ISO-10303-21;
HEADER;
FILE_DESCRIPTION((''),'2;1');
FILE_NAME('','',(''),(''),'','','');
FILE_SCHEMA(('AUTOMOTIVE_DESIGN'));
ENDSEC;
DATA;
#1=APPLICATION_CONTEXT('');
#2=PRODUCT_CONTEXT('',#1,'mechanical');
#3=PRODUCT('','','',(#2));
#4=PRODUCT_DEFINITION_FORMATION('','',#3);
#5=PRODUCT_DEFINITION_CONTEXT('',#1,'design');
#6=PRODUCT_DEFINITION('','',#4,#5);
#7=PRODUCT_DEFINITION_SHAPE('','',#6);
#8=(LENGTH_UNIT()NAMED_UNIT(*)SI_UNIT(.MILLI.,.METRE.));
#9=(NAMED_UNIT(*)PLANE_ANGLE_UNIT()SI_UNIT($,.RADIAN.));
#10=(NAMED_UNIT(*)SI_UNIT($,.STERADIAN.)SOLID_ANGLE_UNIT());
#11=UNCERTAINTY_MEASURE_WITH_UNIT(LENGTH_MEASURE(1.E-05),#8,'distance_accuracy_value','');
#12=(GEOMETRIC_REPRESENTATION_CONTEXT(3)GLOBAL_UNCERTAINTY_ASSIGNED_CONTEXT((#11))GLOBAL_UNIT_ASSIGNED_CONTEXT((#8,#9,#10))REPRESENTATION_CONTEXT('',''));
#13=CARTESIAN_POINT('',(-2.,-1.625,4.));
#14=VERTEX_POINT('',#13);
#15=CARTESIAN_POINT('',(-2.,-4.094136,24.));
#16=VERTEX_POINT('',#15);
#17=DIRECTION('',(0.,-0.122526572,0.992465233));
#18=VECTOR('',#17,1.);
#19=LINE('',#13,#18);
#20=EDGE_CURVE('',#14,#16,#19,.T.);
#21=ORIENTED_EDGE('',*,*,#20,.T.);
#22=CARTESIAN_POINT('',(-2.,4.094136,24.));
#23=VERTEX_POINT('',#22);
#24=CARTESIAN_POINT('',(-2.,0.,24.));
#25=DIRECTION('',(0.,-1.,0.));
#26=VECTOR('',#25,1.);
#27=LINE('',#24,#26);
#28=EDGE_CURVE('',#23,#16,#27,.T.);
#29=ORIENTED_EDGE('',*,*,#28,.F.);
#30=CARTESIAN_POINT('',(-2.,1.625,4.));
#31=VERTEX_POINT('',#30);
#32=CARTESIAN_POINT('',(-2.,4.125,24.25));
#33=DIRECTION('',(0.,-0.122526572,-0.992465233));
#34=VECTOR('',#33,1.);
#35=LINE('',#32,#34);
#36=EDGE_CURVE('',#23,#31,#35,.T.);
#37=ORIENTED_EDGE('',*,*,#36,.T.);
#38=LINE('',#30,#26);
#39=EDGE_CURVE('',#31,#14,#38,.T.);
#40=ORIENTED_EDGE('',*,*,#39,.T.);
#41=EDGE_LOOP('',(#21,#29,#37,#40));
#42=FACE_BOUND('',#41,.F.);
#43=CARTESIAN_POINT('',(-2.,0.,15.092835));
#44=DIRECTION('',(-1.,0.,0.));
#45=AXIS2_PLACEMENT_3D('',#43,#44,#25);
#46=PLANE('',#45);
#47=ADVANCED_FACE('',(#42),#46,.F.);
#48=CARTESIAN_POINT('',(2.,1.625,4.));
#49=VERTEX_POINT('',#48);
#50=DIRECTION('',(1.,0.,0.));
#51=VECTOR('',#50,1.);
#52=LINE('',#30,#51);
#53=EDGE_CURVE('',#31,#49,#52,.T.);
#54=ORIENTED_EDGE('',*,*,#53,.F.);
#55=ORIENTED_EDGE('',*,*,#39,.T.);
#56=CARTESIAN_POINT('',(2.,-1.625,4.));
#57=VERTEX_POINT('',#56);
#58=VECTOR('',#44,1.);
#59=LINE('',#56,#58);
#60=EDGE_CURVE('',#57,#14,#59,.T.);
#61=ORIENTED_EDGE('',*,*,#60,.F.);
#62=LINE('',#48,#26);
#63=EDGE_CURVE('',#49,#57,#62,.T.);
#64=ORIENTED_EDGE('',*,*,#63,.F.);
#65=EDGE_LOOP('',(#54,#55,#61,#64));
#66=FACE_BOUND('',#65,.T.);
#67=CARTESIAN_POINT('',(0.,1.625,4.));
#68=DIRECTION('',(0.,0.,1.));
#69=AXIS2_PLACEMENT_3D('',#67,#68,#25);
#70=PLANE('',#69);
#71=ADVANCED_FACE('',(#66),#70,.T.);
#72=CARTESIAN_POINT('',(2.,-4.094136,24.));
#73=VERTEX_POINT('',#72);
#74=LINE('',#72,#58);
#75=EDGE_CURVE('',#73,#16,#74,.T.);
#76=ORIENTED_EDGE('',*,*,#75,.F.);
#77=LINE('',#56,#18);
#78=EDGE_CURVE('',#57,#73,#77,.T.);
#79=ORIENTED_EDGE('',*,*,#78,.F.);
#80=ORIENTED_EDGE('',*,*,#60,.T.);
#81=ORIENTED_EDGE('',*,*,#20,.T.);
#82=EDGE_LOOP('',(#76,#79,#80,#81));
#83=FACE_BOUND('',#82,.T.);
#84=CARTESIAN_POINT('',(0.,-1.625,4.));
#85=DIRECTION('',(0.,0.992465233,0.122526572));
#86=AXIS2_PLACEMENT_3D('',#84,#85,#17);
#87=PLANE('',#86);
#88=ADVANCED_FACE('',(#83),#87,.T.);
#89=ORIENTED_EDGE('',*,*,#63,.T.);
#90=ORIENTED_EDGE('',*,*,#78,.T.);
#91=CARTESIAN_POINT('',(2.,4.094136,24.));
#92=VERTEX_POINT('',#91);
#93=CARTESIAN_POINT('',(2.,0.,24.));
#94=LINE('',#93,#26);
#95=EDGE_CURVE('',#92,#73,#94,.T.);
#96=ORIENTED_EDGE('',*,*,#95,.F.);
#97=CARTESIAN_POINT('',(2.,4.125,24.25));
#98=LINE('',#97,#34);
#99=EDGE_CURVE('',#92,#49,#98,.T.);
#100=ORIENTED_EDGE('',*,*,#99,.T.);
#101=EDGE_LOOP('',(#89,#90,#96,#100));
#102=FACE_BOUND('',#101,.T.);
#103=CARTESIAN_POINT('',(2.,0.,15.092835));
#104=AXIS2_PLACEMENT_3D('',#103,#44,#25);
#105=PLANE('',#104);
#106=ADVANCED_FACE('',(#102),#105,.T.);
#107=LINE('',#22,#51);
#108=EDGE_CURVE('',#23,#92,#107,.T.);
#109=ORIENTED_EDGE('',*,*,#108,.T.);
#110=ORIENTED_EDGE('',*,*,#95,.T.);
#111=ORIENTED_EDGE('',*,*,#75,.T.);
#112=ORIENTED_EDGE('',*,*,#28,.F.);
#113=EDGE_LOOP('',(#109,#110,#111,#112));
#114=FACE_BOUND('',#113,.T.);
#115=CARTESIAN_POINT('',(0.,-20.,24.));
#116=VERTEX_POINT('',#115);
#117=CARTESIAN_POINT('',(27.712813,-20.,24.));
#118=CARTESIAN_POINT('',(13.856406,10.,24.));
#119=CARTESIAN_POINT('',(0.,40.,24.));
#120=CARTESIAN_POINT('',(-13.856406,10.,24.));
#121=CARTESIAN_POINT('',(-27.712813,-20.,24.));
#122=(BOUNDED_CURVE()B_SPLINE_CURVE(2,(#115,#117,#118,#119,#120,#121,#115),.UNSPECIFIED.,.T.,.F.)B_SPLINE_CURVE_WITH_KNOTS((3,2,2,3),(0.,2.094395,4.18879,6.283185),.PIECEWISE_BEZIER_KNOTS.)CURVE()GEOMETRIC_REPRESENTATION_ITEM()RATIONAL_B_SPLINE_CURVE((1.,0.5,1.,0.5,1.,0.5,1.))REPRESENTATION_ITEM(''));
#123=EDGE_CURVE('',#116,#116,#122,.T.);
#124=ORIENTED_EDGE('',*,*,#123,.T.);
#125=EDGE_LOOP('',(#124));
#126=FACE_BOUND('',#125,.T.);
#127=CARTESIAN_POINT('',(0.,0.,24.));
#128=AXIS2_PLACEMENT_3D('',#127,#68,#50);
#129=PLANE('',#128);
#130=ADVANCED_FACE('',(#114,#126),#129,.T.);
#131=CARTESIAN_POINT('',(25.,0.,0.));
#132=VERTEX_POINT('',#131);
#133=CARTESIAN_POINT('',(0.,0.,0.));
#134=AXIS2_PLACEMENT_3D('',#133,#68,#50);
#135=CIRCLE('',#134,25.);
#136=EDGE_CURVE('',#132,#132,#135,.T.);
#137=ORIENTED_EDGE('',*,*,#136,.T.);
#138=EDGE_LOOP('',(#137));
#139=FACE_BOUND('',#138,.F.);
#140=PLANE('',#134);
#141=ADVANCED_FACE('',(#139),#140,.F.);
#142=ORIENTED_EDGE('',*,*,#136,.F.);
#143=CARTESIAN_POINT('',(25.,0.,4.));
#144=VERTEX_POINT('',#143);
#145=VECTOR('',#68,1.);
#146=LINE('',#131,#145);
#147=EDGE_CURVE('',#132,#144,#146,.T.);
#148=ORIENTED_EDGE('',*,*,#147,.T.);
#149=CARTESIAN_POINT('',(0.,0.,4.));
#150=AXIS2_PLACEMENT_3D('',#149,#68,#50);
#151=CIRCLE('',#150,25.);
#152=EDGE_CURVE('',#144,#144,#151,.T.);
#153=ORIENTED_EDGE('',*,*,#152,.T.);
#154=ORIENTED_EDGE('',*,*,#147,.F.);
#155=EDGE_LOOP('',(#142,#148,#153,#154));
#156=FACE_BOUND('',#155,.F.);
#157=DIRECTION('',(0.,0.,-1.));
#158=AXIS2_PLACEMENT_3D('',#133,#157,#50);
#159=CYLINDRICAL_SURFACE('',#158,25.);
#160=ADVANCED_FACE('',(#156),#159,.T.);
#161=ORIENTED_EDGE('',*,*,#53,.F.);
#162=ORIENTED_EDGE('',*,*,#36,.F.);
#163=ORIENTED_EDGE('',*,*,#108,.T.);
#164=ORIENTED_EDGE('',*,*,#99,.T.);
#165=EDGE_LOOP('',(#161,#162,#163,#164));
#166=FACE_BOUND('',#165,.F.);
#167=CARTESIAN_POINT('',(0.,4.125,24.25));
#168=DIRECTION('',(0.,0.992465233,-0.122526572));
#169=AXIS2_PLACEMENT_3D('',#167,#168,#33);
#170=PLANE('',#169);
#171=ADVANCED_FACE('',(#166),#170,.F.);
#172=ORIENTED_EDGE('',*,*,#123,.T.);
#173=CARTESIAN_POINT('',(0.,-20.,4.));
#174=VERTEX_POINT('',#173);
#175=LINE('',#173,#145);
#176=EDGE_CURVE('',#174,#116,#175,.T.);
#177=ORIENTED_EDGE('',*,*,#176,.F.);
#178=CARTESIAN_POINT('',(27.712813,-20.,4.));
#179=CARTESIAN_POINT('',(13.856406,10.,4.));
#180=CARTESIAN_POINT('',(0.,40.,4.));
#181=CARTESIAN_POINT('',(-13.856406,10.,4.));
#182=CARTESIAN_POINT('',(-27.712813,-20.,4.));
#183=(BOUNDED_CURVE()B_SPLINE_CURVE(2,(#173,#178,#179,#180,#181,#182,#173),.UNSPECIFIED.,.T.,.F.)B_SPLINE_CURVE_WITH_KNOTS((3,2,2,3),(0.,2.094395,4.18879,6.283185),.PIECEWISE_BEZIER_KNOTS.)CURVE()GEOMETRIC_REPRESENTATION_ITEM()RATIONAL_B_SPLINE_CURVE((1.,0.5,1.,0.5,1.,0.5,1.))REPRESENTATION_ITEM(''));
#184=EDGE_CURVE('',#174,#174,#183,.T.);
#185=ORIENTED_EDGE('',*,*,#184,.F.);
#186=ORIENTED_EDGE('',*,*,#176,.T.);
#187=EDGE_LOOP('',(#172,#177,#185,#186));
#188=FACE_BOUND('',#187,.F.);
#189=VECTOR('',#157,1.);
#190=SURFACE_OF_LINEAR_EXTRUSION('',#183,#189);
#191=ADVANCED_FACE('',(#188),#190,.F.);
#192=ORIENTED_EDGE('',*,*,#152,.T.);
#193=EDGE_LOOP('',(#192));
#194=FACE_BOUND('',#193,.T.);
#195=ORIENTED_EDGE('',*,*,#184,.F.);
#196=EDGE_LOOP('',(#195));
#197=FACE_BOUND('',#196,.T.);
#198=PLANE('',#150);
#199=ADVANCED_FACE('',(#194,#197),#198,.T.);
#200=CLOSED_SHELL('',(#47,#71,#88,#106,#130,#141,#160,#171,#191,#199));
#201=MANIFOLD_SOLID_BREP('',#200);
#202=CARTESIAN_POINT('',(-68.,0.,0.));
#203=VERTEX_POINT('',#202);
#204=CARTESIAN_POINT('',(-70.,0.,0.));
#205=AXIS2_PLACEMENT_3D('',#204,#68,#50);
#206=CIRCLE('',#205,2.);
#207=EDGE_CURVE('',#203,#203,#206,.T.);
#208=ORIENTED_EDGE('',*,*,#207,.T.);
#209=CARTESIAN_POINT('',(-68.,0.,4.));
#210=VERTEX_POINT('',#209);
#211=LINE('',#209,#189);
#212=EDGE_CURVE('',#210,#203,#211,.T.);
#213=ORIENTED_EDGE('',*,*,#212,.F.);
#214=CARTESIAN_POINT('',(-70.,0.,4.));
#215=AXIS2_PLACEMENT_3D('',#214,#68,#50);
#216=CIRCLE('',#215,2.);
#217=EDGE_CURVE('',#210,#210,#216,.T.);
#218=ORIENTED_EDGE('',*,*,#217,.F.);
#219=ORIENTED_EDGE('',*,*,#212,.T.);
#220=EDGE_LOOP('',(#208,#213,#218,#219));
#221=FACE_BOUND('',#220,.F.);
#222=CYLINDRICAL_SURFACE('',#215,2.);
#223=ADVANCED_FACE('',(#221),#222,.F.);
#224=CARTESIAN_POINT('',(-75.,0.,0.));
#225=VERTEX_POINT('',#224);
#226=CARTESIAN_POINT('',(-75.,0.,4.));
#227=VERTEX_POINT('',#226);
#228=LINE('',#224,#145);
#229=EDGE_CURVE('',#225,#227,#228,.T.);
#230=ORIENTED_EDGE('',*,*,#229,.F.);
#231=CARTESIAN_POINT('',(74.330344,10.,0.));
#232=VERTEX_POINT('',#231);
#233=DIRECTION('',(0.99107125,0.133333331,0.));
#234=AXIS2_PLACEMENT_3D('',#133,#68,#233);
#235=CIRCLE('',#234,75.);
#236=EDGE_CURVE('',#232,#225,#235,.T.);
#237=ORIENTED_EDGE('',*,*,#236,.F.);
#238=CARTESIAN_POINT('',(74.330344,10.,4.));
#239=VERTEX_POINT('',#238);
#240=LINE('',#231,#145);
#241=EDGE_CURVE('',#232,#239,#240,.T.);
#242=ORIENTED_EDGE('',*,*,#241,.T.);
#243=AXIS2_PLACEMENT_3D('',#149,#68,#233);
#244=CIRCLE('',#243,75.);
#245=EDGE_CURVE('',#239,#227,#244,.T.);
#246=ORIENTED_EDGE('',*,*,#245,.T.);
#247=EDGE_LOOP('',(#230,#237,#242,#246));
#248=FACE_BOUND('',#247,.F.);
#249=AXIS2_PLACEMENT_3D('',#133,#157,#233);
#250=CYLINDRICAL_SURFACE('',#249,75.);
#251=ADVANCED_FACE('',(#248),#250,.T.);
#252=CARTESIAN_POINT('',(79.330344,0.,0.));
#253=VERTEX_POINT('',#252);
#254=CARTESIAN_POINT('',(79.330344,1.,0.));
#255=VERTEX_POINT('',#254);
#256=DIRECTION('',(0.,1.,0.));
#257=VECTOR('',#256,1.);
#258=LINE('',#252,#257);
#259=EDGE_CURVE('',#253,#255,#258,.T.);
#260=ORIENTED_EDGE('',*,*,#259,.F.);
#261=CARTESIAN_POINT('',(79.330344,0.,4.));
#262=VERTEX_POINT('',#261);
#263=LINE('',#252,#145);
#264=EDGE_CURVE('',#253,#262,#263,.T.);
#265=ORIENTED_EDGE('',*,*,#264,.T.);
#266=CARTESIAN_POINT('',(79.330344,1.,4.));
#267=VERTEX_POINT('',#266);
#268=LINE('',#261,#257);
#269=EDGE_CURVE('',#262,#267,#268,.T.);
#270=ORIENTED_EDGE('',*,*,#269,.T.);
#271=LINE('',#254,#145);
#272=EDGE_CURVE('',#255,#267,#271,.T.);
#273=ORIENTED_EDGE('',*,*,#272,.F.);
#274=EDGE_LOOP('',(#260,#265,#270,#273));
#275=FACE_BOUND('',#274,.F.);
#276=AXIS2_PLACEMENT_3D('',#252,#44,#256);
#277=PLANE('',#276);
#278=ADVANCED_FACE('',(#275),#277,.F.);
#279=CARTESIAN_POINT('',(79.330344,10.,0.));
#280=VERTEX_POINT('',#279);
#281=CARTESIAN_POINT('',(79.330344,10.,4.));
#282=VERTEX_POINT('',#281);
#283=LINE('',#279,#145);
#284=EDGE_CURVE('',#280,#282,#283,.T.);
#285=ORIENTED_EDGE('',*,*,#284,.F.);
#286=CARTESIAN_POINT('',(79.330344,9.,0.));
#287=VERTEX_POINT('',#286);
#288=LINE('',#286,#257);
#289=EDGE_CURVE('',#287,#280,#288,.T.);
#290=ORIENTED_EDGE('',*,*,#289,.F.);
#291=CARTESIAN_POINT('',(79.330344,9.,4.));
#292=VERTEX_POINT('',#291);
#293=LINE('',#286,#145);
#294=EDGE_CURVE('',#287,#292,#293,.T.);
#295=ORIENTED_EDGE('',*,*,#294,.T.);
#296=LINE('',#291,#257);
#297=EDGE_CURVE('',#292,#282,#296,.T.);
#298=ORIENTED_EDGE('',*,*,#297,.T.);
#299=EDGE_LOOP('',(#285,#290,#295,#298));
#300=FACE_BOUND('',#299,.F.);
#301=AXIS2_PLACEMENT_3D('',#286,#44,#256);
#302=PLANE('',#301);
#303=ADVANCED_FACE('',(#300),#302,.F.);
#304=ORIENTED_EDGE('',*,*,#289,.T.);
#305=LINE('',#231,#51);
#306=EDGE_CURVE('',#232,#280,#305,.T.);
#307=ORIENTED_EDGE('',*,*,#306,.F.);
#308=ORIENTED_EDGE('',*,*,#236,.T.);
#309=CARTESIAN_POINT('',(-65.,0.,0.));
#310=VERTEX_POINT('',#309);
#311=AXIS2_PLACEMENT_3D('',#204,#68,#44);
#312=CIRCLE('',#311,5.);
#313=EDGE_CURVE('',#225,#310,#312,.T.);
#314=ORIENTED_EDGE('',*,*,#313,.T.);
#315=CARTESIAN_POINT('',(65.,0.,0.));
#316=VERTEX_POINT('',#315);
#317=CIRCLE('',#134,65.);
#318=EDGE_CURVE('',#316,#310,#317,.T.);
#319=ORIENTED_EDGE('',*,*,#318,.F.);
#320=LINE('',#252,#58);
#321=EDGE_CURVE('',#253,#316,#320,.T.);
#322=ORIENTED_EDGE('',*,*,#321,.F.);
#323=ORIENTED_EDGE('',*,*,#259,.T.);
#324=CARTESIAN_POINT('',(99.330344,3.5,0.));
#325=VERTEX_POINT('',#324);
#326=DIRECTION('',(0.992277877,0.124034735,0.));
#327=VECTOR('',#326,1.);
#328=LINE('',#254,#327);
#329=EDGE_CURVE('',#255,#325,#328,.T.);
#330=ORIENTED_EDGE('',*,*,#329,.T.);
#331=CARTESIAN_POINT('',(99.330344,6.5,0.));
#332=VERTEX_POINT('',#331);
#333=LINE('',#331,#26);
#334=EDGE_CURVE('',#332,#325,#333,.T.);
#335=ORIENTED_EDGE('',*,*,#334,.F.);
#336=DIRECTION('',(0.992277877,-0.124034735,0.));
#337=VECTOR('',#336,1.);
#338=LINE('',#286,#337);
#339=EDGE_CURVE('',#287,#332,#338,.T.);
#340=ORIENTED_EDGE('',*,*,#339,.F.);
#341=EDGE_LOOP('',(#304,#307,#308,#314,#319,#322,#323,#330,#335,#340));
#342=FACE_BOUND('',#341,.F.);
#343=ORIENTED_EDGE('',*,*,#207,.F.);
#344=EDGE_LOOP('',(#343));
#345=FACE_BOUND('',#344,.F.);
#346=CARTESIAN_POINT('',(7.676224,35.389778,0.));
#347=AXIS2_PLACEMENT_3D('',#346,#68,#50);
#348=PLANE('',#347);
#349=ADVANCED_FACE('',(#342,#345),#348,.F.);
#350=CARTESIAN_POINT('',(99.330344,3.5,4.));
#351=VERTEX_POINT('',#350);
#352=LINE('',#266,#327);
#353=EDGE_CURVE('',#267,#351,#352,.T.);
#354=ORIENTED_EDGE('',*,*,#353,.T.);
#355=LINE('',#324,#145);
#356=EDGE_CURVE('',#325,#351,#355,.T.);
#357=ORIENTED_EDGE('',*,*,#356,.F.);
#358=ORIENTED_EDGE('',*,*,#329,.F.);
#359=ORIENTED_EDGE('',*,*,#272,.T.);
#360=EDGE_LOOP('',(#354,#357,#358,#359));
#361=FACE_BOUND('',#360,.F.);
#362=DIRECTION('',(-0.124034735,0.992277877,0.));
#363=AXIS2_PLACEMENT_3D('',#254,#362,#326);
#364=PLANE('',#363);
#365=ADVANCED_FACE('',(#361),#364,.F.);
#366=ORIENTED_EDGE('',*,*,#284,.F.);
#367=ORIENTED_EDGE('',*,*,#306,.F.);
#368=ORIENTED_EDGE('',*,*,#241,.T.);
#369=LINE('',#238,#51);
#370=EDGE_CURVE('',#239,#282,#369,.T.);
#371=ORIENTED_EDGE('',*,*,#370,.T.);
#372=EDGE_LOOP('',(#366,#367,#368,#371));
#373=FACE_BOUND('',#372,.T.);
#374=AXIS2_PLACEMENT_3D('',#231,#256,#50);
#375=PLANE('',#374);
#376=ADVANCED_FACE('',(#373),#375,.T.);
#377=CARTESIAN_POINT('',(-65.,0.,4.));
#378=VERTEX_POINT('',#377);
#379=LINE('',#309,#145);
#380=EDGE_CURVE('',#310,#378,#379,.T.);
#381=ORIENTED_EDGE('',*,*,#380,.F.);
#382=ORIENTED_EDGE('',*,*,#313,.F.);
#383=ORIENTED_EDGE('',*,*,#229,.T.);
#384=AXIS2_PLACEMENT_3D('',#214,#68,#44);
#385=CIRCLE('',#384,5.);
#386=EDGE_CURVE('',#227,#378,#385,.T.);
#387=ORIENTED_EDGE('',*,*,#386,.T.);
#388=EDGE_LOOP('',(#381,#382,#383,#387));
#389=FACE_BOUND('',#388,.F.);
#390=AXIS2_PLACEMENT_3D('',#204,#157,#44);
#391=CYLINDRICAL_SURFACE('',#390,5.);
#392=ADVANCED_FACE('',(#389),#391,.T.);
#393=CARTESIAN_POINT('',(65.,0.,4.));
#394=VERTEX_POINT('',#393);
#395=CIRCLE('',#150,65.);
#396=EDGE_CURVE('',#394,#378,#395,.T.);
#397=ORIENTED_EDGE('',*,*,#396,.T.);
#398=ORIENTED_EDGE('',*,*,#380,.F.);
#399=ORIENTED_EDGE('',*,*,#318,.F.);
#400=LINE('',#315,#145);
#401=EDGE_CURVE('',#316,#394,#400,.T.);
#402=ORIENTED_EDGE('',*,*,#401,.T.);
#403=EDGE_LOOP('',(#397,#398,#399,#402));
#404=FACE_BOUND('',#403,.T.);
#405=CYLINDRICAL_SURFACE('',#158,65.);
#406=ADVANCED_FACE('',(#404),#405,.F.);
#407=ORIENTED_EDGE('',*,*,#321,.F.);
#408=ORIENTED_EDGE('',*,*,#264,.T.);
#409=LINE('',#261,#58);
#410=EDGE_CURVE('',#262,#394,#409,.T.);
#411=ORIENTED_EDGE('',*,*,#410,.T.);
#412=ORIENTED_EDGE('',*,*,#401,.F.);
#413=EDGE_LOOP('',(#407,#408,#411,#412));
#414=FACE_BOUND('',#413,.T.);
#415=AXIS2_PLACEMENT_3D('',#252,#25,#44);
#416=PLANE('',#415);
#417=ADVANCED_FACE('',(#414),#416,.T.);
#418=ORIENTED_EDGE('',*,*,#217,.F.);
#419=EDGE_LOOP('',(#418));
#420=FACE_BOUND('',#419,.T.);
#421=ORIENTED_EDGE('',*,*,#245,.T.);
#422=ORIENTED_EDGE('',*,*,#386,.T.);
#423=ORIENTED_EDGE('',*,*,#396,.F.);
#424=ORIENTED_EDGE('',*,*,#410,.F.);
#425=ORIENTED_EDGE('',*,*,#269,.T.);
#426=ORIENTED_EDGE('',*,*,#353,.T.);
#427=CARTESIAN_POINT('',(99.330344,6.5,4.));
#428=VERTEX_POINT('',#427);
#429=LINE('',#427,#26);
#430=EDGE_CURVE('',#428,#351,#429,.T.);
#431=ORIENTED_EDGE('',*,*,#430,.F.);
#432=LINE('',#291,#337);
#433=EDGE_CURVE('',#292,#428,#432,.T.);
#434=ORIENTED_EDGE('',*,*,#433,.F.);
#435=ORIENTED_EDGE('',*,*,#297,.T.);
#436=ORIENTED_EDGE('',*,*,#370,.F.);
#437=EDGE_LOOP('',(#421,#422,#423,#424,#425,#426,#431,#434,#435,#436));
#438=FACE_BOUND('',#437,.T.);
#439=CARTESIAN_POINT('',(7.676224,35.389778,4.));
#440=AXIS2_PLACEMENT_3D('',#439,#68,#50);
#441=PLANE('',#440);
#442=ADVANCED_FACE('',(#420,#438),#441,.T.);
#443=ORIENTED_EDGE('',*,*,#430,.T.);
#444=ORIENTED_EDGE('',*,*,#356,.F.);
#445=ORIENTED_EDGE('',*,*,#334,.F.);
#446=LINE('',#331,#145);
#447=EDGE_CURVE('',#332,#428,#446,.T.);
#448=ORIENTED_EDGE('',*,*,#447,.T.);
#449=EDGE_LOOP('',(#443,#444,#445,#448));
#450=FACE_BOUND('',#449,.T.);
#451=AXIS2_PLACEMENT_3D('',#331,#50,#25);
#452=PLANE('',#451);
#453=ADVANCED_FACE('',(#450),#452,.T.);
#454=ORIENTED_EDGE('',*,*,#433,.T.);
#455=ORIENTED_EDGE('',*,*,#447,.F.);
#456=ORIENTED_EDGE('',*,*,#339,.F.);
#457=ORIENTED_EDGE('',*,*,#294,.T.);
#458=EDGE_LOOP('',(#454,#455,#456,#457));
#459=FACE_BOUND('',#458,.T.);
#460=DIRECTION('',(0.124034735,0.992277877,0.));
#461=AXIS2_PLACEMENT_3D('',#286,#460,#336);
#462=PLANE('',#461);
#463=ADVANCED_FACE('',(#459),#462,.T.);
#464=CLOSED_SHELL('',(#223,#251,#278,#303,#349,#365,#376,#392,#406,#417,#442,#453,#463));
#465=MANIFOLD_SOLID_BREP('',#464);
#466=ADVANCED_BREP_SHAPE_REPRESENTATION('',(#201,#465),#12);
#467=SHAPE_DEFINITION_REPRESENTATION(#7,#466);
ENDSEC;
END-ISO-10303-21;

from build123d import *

# Parameters (mm, degrees)
PAD_DEPTH            = 4
SKETCH001_R          = 2
POCKET_DEPTH         = 4.001
SKETCH002_R          = 25
PAD001_DEPTH         = 4
PAD002_DEPTH         = 20
POCKET001_DEPTH      = 2
POCKET001_DEPTH_BACK = -2


with BuildPart() as body:
    # Sketch → Pad (new body)
    with BuildSketch(Plane.XY):
        with BuildLine():
            ThreePointArc((74.330344, 10), (-5.011198, 74.832399), (-75, 0))
            ThreePointArc((-75, 0), (-70, -5), (-65, 0))
            ThreePointArc((65, 0), (0, 65), (-65, 0))
            Line((79.330344, 0), (65, 0))
            Line((79.330344, 0), (79.330344, 1))
            Line((79.330344, 1), (99.330344, 3.5))
            Line((99.330344, 6.5), (99.330344, 3.5))
            Line((79.330344, 9), (99.330344, 6.5))
            Line((79.330344, 9), (79.330344, 10))
            Line((74.330344, 10), (79.330344, 10))
        make_face()
    extrude(amount=PAD_DEPTH)

    # Sketch001 (on Face12 of Pad) → Pocket (cut, through all)
    with BuildSketch(Plane.XY.offset(4)):
        with Locations((-70, 0)):
            Circle(SKETCH001_R)
    extrude(amount=-POCKET_DEPTH, mode=Mode.SUBTRACT)


with BuildPart() as base:
    # Sketch002 → Pad001 (new body)
    with BuildSketch(Plane.XY):
        Circle(SKETCH002_R)
    extrude(amount=PAD001_DEPTH)

    # Sketch003 (on Face3 of Pad001) → Pad002 (join)
    with BuildSketch(Plane.XY.offset(4)):
        with BuildLine():
            add(Edge.make_bspline(
                [(0, -20), (27.712813, -20), (13.856406, 10), (0, 40), (-13.856406, 10), (-27.712813, -20), (0, -20)],
                knots=[0, 0, 0, 2.094395, 2.094395, 4.18879, 4.18879, 6.283185, 6.283185, 6.283185], degree=2, weights=[1, 0.5, 1, 0.5, 1, 0.5, 1]))
        make_face()
    extrude(amount=PAD002_DEPTH)

    # Sketch004 → Pocket001 (cut, two sides)
    with BuildSketch(Plane.YZ) as pocket001_sk:
        Polygon((-4.125, 24.25), (4.125, 24.25), (1.625, 4), (-1.625, 4), align=None)
    extrude(amount=-POCKET001_DEPTH, mode=Mode.SUBTRACT)
    extrude(pocket001_sk.sketch, amount=-POCKET001_DEPTH_BACK, mode=Mode.SUBTRACT)


solid = Compound([body.part, base.part])
